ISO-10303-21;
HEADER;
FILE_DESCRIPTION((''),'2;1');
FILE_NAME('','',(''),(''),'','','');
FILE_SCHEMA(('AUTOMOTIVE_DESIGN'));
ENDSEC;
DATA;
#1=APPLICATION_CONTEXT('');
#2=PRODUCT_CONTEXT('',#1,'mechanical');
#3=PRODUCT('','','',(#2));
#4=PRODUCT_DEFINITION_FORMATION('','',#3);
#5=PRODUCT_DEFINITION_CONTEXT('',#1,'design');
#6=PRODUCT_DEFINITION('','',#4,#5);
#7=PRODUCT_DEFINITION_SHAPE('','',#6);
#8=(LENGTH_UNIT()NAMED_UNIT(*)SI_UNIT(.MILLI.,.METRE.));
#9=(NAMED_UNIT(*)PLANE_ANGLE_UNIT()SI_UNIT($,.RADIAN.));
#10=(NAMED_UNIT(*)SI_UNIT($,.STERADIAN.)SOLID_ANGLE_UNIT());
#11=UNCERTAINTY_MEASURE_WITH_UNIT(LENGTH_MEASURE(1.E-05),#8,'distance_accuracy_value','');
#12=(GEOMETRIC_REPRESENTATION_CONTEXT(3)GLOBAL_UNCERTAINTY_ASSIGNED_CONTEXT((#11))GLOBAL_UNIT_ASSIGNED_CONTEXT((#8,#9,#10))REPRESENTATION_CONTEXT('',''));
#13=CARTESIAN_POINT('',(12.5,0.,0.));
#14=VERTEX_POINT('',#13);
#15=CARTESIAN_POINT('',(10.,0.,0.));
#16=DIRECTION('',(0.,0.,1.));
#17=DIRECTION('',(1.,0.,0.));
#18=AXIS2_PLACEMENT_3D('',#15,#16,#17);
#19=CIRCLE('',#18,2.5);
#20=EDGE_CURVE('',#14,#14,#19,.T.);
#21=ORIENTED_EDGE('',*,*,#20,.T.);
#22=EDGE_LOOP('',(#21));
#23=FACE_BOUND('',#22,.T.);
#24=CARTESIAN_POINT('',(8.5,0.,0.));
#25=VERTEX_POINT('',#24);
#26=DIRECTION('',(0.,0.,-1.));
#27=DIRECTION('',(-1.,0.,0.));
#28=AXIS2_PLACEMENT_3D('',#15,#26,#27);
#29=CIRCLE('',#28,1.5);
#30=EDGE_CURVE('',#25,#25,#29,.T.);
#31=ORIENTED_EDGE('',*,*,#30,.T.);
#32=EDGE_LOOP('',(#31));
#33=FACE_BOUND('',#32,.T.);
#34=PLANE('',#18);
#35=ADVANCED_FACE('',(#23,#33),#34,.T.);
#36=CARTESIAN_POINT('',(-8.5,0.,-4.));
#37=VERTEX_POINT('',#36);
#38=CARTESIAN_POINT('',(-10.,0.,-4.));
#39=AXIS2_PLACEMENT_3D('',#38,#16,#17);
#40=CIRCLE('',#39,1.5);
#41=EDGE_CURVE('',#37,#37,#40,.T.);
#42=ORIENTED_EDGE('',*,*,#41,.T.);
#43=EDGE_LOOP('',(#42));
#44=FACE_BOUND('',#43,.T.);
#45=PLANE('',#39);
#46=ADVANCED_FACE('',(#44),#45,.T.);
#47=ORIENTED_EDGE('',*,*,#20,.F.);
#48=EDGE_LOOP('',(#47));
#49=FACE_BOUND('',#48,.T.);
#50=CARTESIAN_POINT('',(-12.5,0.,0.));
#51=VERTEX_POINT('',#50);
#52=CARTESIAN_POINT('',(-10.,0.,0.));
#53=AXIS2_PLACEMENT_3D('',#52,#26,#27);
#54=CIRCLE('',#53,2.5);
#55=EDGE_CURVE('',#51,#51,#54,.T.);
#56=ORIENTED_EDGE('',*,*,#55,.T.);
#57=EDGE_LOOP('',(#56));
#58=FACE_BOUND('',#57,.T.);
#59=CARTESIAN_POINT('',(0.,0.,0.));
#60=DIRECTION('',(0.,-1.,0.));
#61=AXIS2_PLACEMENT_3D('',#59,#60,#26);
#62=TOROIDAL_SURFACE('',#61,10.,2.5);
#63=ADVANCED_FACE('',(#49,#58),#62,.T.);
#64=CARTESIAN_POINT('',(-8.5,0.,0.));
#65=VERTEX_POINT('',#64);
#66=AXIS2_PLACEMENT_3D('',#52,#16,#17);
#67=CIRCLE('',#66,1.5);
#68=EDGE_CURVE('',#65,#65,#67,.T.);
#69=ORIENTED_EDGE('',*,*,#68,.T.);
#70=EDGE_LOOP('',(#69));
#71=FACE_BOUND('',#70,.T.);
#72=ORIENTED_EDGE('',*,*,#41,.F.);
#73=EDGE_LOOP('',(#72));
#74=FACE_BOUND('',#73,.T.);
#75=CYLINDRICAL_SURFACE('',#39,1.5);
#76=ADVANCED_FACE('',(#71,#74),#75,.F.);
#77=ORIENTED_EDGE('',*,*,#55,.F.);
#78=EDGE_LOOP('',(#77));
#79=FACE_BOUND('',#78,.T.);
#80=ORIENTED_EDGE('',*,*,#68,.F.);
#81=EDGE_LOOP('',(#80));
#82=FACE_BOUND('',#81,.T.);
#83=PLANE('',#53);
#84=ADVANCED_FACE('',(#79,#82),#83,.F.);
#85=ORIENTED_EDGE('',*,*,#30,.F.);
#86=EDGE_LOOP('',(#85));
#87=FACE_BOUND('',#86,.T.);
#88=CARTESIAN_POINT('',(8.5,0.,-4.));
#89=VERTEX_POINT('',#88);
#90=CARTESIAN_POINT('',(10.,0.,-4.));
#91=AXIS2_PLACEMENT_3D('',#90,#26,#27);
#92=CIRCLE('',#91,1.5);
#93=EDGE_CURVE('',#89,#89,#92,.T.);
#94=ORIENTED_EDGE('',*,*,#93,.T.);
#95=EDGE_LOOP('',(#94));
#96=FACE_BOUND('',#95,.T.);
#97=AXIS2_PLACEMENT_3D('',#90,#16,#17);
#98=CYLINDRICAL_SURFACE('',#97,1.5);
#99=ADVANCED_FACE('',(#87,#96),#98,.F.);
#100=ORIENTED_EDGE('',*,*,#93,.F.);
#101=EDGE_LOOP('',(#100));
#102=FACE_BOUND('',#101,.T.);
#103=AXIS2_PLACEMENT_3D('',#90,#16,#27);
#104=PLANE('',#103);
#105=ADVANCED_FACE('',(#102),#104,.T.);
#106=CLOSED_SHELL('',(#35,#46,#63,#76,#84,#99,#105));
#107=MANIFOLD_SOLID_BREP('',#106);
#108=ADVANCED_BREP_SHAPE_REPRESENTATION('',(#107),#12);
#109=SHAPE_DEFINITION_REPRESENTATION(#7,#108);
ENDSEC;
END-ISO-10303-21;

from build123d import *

# Parameters (mm, degrees)
SWEEP1_PROFILE_R   = 2.5
SKETCH14_R         = 1.5
CUT_EXTRUDE1_DEPTH = 4


with BuildPart() as part:
    # Sweep1: sweep along a path in Sketch1
    with BuildLine(Plane(origin=(0, 0, 0), x_dir=(1, 0, 0), z_dir=(0, 1, 0))) as sweep1_path:
        ThreePointArc((-10, 0), (0, 10), (10, 0))
    # Sweep1 profile (on start of the path) → Sweep1 (sweep)
    with BuildSketch(Plane(origin=(-10, 0, 0), x_dir=(-1, 0, 0), z_dir=(0, 0, -1))):
        Circle(SWEEP1_PROFILE_R)
    sweep(path=sweep1_path.line)

    # Sketch14 → Cut-Extrude1 (cut)
    with BuildSketch(Plane.XY):
        with Locations((-10, 0)):
            Circle(SKETCH14_R)
    cut_extrude1 = extrude(amount=-CUT_EXTRUDE1_DEPTH, mode=Mode.SUBTRACT)

    # Mirror1: Cut-Extrude1 across plane
    add(cut_extrude1.mirror(Plane(origin=(0, 0, 0), x_dir=(0, 0, 1), z_dir=(1, 0, 0))), mode=Mode.SUBTRACT)


solid = part.part
